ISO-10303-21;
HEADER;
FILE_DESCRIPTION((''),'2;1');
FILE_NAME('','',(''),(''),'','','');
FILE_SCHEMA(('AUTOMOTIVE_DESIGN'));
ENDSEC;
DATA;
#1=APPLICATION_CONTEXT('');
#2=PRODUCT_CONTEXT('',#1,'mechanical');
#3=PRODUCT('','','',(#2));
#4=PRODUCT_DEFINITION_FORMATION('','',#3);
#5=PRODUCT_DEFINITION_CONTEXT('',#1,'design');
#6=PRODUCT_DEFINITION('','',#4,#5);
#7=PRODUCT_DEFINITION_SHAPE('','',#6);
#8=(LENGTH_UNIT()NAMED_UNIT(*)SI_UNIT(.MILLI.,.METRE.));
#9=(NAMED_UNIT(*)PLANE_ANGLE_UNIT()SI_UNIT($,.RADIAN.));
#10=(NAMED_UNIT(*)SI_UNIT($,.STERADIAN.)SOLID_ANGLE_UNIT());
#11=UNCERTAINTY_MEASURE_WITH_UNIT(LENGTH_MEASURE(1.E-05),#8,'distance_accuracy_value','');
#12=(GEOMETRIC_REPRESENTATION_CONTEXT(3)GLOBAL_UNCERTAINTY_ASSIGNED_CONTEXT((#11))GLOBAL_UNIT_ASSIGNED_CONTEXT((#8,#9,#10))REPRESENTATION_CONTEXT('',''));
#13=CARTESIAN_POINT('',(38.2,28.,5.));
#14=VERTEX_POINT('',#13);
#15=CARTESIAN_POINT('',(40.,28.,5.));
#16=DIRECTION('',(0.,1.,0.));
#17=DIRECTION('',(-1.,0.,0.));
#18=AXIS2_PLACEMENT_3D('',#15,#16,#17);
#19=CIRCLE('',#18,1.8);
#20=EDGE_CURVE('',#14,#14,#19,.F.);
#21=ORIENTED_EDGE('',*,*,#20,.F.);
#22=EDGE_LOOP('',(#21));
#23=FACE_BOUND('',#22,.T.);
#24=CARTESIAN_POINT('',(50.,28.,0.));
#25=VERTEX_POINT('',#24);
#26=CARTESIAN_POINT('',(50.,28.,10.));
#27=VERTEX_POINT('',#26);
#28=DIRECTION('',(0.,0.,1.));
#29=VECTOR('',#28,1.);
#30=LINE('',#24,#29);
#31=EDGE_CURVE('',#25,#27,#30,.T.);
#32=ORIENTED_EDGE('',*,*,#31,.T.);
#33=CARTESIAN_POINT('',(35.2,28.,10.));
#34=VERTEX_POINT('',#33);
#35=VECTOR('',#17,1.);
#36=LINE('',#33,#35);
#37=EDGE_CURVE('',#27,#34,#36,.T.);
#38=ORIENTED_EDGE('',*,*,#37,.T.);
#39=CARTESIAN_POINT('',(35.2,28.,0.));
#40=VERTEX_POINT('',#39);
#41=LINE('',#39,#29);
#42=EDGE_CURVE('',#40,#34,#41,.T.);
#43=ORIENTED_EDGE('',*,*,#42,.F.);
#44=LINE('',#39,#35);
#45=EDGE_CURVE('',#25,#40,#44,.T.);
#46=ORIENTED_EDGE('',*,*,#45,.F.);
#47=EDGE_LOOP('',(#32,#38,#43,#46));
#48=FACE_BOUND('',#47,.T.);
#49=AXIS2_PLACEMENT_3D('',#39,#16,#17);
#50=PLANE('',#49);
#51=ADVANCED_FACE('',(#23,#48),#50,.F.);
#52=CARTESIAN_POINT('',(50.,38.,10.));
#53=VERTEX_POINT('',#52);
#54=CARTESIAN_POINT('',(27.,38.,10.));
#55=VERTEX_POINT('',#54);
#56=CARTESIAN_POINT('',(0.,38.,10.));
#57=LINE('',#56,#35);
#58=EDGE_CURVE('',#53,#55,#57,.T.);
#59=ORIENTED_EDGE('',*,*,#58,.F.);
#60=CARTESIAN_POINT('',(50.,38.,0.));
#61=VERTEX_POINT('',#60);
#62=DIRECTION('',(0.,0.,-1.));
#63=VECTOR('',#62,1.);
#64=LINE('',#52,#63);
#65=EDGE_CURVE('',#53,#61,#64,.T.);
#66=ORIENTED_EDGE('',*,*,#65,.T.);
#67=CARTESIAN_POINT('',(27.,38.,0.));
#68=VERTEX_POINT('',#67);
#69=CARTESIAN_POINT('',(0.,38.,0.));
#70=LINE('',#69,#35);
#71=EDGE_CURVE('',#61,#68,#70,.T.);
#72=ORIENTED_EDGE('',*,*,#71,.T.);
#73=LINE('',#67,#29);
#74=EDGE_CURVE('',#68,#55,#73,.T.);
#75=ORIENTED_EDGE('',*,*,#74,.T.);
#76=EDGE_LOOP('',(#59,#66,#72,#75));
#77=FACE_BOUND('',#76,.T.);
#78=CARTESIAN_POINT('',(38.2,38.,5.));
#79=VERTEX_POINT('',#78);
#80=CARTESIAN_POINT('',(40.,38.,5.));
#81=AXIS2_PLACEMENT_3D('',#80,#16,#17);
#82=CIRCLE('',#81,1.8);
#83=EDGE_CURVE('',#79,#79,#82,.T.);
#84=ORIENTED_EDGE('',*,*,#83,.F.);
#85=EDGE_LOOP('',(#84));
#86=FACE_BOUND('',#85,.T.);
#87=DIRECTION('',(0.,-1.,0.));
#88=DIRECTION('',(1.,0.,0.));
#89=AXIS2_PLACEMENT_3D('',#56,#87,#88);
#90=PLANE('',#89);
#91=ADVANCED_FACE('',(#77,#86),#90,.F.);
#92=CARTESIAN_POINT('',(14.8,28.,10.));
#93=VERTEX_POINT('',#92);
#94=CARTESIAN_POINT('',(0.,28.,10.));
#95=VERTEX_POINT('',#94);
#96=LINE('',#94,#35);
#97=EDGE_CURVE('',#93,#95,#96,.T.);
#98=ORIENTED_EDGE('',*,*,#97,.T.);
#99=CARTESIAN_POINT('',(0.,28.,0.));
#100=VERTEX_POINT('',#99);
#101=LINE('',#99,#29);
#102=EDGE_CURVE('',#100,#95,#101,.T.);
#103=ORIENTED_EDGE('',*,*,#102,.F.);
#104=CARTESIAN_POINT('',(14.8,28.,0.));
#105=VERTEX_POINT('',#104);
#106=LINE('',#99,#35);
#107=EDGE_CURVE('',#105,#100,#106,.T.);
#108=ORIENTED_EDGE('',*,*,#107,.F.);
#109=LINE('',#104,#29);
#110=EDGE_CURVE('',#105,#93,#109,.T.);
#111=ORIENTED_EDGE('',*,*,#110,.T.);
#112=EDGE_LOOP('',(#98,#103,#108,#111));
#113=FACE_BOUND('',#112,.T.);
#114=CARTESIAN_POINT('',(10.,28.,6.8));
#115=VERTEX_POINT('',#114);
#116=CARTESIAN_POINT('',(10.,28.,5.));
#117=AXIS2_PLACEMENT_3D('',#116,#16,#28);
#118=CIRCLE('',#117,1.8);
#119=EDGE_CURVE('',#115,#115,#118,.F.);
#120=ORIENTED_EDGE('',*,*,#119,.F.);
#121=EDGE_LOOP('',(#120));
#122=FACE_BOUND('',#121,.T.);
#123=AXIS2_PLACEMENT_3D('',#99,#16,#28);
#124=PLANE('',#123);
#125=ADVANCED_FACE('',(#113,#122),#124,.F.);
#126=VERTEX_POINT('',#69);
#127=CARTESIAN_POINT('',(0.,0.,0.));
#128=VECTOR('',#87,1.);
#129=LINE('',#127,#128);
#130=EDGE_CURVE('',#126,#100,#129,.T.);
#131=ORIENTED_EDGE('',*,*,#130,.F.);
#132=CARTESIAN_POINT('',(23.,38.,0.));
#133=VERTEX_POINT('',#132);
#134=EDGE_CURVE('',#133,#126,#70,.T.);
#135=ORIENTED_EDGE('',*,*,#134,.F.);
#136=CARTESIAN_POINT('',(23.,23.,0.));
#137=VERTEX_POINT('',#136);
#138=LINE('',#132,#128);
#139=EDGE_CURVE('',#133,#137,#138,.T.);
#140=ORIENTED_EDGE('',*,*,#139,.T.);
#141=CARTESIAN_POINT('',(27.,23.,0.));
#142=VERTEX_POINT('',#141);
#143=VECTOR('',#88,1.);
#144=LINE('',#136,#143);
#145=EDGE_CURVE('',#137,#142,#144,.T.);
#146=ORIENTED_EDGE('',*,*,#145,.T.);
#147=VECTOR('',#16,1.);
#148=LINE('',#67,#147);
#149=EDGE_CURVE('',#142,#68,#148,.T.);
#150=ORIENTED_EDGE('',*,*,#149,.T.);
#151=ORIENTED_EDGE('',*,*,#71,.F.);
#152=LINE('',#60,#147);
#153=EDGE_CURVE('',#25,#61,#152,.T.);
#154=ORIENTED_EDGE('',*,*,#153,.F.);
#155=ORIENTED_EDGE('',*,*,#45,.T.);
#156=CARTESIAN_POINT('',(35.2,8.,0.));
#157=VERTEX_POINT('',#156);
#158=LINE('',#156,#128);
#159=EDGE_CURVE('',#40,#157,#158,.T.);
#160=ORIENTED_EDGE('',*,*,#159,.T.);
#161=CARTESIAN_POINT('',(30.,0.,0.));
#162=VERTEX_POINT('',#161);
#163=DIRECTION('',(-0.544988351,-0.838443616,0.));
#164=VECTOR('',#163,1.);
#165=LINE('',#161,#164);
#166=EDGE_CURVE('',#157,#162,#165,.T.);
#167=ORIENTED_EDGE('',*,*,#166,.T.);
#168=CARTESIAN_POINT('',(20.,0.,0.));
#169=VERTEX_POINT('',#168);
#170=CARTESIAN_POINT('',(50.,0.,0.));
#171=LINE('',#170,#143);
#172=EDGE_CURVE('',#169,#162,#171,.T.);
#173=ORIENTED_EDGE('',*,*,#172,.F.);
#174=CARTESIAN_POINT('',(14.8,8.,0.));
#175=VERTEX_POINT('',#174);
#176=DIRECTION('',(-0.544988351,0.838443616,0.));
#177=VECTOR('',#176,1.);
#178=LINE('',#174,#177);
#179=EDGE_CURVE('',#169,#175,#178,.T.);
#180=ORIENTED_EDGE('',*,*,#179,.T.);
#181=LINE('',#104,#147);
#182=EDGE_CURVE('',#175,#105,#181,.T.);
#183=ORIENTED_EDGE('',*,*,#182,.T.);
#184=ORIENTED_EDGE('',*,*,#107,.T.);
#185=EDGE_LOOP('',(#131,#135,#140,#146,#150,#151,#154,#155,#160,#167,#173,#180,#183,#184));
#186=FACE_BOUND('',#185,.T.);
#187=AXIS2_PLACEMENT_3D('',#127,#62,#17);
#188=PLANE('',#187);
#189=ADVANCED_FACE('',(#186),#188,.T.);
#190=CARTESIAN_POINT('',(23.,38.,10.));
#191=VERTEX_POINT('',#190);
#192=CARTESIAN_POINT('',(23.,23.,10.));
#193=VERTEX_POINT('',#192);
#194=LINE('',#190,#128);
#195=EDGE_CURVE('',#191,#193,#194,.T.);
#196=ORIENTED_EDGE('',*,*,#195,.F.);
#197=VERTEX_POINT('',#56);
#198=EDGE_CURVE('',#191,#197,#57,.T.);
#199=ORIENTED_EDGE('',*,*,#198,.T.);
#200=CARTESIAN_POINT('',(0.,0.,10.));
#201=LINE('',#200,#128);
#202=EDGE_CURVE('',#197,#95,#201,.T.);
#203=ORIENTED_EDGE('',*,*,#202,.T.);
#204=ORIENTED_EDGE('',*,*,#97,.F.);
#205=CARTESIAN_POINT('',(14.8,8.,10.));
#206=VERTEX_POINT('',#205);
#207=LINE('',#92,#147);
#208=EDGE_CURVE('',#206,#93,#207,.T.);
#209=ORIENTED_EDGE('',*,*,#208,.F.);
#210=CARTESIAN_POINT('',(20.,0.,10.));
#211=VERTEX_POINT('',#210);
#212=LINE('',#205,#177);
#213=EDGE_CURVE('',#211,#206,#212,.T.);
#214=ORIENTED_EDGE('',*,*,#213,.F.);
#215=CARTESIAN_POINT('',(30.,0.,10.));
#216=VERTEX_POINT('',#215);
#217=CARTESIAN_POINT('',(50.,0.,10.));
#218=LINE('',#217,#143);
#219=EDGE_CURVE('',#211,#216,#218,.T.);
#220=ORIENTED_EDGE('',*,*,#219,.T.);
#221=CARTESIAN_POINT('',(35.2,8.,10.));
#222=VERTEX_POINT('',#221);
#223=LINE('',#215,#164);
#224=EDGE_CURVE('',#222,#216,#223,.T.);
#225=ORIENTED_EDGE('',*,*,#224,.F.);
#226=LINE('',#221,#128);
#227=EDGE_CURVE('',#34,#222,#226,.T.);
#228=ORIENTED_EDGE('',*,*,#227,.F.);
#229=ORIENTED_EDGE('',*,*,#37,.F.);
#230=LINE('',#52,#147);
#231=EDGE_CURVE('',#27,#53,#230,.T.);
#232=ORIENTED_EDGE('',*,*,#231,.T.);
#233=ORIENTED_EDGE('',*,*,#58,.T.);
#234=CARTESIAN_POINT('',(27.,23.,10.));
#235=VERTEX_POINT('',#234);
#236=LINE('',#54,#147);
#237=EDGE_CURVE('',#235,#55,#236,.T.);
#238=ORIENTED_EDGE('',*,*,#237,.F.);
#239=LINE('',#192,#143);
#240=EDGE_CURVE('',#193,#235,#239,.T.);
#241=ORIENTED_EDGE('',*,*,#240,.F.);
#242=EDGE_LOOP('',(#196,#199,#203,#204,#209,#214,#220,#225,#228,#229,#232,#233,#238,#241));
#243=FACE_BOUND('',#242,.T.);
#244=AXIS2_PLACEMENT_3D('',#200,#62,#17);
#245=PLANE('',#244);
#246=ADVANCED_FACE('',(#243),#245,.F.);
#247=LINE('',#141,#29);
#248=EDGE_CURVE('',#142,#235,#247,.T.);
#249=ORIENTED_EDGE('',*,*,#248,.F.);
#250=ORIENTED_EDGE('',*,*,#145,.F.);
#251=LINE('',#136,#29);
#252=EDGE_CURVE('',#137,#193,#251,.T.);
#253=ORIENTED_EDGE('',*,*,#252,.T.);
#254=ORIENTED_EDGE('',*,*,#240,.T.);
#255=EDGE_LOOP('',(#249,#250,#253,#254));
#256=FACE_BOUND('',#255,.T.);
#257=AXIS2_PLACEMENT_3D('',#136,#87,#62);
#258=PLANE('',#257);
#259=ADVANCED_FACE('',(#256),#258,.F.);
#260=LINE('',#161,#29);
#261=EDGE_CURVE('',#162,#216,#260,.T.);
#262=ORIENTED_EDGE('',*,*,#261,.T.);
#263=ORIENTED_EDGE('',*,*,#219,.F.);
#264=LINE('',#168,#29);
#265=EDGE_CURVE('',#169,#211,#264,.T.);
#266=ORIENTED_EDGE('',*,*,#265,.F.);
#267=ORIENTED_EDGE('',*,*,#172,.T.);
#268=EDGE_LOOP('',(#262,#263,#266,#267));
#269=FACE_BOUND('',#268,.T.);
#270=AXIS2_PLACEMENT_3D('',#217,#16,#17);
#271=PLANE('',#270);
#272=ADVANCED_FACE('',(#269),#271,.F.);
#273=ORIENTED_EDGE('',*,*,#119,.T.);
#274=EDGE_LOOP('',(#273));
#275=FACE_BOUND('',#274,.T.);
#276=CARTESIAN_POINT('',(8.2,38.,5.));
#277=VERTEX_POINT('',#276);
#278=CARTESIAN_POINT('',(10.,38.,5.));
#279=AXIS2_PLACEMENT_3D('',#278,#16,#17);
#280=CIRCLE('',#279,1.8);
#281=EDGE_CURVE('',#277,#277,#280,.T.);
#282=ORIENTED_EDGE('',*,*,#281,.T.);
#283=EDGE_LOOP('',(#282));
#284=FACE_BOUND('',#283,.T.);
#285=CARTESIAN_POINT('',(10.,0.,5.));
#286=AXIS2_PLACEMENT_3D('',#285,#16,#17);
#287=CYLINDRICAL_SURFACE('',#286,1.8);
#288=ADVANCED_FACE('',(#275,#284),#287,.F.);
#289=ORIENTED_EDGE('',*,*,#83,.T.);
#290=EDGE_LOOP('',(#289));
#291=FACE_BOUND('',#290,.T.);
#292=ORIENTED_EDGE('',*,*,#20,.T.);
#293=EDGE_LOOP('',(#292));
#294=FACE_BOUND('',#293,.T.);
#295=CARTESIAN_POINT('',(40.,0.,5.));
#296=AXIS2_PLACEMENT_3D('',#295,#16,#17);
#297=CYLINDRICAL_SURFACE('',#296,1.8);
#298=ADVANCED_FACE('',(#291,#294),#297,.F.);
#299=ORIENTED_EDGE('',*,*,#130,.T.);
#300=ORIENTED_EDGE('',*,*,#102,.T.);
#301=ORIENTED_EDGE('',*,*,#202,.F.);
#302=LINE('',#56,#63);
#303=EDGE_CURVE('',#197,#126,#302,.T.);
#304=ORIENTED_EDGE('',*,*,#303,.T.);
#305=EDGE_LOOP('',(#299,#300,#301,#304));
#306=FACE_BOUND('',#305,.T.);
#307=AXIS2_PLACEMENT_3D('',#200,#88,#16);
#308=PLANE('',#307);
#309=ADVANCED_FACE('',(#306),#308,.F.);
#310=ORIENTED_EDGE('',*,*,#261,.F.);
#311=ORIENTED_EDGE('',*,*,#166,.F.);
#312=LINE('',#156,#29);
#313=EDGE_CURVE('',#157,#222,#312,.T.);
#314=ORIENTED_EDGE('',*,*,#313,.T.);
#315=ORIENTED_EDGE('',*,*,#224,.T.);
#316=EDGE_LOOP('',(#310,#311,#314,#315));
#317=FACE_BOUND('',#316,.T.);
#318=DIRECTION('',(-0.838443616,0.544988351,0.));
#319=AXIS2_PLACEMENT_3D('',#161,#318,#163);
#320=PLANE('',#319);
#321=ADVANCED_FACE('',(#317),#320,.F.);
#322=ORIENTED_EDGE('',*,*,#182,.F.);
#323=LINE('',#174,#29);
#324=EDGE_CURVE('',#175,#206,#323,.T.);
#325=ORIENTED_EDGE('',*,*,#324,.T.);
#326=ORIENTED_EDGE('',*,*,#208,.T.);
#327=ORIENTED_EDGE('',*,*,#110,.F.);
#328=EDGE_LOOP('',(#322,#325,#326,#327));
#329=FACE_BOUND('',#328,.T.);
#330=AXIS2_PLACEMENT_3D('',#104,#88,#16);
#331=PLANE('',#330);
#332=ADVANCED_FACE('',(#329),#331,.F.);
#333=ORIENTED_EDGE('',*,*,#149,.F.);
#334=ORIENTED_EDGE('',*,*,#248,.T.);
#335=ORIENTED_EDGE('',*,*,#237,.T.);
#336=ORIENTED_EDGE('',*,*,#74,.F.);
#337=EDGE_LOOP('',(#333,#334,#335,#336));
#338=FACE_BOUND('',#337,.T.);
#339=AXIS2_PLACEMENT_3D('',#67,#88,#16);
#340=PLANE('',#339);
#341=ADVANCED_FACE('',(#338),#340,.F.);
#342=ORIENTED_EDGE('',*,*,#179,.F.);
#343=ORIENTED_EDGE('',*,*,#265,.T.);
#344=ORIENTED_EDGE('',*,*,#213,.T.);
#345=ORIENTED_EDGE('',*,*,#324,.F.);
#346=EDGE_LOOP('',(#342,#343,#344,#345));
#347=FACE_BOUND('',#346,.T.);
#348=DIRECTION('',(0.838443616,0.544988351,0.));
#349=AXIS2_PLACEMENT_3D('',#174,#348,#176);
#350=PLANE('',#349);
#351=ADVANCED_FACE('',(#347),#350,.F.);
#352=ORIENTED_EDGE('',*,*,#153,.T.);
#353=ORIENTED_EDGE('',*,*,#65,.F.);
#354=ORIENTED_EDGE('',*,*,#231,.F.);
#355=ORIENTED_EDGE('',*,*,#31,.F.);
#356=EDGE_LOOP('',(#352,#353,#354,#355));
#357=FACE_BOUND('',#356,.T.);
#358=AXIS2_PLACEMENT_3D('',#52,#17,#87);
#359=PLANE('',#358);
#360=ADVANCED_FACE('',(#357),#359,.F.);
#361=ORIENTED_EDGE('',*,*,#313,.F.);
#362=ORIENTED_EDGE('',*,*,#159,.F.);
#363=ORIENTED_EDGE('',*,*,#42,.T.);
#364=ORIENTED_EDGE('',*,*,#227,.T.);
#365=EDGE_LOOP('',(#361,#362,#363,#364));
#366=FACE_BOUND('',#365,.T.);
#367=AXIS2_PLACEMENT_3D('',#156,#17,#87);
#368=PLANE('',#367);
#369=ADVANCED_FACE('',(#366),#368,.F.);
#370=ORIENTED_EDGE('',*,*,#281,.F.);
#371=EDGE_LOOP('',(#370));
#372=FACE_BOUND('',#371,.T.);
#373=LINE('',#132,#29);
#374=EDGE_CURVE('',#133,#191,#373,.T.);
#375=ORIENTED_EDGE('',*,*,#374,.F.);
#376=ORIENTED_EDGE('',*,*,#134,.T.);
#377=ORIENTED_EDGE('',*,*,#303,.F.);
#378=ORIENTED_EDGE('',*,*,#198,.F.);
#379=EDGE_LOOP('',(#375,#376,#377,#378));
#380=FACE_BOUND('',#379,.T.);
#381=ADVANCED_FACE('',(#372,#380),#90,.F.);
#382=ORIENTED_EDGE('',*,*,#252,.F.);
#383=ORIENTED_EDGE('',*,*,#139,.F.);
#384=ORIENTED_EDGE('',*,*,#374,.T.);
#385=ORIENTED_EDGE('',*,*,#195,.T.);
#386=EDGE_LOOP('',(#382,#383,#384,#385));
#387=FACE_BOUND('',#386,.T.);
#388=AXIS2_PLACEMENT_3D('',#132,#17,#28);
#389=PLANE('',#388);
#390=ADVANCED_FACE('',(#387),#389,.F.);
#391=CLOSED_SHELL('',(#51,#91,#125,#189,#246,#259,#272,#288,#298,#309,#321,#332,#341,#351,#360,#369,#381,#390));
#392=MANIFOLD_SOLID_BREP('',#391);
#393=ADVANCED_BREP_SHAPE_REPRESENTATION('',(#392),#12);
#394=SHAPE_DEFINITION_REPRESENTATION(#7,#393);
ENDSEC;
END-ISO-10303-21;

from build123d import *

# Parameters (mm, degrees)
SKETCH1_W           = 50
SKETCH1_H           = 38
BOSS_EXTRUDE1_DEPTH = 10
SKETCH2_R           = 1.8
CUT_EXTRUDE1_DEPTH  = 64.592452382
SKETCH3_W           = 4
SKETCH3_H           = 15
CUT_EXTRUDE2_DEPTH  = 10
CUT_EXTRUDE3_DEPTH  = 64.592452382


with BuildPart() as part:
    # Sketch1 → Boss-Extrude1 (new body)
    with BuildSketch(Plane.XY):
        with Locations((25, 19)):
            Rectangle(SKETCH1_W, SKETCH1_H)
    extrude(amount=BOSS_EXTRUDE1_DEPTH)

    # Sketch2 → Cut-Extrude1 (cut, through all)
    with BuildSketch(Plane(origin=(0, 38, 0), x_dir=(1, 0, 0), z_dir=(0, 1, 0))):
        with Locations(Location((10, -5, 0), (0, 0, 180))):
            Circle(SKETCH2_R)
        with Locations(Location((40, -5, 0), (0, 0, 180))):
            Circle(SKETCH2_R)
    extrude(amount=-CUT_EXTRUDE1_DEPTH, mode=Mode.SUBTRACT)

    # Sketch3 → Cut-Extrude2 (cut)
    with BuildSketch(Plane.XY.offset(10)):
        with Locations((25, 30.5)):
            Rectangle(SKETCH3_W, SKETCH3_H)
    extrude(amount=-CUT_EXTRUDE2_DEPTH, mode=Mode.SUBTRACT)

    # Sketch4 → Cut-Extrude3 (cut, through all)
    with BuildSketch(Plane.XY.offset(10)):
        Polygon((0, 28), (14.8, 28), (14.8, 8), (20, 0), (30, 0), (35.2, 8), (35.2, 28), (50, 28), (50, -1), (0, -1), align=None)
    extrude(amount=-CUT_EXTRUDE3_DEPTH, mode=Mode.SUBTRACT)


solid = part.part
